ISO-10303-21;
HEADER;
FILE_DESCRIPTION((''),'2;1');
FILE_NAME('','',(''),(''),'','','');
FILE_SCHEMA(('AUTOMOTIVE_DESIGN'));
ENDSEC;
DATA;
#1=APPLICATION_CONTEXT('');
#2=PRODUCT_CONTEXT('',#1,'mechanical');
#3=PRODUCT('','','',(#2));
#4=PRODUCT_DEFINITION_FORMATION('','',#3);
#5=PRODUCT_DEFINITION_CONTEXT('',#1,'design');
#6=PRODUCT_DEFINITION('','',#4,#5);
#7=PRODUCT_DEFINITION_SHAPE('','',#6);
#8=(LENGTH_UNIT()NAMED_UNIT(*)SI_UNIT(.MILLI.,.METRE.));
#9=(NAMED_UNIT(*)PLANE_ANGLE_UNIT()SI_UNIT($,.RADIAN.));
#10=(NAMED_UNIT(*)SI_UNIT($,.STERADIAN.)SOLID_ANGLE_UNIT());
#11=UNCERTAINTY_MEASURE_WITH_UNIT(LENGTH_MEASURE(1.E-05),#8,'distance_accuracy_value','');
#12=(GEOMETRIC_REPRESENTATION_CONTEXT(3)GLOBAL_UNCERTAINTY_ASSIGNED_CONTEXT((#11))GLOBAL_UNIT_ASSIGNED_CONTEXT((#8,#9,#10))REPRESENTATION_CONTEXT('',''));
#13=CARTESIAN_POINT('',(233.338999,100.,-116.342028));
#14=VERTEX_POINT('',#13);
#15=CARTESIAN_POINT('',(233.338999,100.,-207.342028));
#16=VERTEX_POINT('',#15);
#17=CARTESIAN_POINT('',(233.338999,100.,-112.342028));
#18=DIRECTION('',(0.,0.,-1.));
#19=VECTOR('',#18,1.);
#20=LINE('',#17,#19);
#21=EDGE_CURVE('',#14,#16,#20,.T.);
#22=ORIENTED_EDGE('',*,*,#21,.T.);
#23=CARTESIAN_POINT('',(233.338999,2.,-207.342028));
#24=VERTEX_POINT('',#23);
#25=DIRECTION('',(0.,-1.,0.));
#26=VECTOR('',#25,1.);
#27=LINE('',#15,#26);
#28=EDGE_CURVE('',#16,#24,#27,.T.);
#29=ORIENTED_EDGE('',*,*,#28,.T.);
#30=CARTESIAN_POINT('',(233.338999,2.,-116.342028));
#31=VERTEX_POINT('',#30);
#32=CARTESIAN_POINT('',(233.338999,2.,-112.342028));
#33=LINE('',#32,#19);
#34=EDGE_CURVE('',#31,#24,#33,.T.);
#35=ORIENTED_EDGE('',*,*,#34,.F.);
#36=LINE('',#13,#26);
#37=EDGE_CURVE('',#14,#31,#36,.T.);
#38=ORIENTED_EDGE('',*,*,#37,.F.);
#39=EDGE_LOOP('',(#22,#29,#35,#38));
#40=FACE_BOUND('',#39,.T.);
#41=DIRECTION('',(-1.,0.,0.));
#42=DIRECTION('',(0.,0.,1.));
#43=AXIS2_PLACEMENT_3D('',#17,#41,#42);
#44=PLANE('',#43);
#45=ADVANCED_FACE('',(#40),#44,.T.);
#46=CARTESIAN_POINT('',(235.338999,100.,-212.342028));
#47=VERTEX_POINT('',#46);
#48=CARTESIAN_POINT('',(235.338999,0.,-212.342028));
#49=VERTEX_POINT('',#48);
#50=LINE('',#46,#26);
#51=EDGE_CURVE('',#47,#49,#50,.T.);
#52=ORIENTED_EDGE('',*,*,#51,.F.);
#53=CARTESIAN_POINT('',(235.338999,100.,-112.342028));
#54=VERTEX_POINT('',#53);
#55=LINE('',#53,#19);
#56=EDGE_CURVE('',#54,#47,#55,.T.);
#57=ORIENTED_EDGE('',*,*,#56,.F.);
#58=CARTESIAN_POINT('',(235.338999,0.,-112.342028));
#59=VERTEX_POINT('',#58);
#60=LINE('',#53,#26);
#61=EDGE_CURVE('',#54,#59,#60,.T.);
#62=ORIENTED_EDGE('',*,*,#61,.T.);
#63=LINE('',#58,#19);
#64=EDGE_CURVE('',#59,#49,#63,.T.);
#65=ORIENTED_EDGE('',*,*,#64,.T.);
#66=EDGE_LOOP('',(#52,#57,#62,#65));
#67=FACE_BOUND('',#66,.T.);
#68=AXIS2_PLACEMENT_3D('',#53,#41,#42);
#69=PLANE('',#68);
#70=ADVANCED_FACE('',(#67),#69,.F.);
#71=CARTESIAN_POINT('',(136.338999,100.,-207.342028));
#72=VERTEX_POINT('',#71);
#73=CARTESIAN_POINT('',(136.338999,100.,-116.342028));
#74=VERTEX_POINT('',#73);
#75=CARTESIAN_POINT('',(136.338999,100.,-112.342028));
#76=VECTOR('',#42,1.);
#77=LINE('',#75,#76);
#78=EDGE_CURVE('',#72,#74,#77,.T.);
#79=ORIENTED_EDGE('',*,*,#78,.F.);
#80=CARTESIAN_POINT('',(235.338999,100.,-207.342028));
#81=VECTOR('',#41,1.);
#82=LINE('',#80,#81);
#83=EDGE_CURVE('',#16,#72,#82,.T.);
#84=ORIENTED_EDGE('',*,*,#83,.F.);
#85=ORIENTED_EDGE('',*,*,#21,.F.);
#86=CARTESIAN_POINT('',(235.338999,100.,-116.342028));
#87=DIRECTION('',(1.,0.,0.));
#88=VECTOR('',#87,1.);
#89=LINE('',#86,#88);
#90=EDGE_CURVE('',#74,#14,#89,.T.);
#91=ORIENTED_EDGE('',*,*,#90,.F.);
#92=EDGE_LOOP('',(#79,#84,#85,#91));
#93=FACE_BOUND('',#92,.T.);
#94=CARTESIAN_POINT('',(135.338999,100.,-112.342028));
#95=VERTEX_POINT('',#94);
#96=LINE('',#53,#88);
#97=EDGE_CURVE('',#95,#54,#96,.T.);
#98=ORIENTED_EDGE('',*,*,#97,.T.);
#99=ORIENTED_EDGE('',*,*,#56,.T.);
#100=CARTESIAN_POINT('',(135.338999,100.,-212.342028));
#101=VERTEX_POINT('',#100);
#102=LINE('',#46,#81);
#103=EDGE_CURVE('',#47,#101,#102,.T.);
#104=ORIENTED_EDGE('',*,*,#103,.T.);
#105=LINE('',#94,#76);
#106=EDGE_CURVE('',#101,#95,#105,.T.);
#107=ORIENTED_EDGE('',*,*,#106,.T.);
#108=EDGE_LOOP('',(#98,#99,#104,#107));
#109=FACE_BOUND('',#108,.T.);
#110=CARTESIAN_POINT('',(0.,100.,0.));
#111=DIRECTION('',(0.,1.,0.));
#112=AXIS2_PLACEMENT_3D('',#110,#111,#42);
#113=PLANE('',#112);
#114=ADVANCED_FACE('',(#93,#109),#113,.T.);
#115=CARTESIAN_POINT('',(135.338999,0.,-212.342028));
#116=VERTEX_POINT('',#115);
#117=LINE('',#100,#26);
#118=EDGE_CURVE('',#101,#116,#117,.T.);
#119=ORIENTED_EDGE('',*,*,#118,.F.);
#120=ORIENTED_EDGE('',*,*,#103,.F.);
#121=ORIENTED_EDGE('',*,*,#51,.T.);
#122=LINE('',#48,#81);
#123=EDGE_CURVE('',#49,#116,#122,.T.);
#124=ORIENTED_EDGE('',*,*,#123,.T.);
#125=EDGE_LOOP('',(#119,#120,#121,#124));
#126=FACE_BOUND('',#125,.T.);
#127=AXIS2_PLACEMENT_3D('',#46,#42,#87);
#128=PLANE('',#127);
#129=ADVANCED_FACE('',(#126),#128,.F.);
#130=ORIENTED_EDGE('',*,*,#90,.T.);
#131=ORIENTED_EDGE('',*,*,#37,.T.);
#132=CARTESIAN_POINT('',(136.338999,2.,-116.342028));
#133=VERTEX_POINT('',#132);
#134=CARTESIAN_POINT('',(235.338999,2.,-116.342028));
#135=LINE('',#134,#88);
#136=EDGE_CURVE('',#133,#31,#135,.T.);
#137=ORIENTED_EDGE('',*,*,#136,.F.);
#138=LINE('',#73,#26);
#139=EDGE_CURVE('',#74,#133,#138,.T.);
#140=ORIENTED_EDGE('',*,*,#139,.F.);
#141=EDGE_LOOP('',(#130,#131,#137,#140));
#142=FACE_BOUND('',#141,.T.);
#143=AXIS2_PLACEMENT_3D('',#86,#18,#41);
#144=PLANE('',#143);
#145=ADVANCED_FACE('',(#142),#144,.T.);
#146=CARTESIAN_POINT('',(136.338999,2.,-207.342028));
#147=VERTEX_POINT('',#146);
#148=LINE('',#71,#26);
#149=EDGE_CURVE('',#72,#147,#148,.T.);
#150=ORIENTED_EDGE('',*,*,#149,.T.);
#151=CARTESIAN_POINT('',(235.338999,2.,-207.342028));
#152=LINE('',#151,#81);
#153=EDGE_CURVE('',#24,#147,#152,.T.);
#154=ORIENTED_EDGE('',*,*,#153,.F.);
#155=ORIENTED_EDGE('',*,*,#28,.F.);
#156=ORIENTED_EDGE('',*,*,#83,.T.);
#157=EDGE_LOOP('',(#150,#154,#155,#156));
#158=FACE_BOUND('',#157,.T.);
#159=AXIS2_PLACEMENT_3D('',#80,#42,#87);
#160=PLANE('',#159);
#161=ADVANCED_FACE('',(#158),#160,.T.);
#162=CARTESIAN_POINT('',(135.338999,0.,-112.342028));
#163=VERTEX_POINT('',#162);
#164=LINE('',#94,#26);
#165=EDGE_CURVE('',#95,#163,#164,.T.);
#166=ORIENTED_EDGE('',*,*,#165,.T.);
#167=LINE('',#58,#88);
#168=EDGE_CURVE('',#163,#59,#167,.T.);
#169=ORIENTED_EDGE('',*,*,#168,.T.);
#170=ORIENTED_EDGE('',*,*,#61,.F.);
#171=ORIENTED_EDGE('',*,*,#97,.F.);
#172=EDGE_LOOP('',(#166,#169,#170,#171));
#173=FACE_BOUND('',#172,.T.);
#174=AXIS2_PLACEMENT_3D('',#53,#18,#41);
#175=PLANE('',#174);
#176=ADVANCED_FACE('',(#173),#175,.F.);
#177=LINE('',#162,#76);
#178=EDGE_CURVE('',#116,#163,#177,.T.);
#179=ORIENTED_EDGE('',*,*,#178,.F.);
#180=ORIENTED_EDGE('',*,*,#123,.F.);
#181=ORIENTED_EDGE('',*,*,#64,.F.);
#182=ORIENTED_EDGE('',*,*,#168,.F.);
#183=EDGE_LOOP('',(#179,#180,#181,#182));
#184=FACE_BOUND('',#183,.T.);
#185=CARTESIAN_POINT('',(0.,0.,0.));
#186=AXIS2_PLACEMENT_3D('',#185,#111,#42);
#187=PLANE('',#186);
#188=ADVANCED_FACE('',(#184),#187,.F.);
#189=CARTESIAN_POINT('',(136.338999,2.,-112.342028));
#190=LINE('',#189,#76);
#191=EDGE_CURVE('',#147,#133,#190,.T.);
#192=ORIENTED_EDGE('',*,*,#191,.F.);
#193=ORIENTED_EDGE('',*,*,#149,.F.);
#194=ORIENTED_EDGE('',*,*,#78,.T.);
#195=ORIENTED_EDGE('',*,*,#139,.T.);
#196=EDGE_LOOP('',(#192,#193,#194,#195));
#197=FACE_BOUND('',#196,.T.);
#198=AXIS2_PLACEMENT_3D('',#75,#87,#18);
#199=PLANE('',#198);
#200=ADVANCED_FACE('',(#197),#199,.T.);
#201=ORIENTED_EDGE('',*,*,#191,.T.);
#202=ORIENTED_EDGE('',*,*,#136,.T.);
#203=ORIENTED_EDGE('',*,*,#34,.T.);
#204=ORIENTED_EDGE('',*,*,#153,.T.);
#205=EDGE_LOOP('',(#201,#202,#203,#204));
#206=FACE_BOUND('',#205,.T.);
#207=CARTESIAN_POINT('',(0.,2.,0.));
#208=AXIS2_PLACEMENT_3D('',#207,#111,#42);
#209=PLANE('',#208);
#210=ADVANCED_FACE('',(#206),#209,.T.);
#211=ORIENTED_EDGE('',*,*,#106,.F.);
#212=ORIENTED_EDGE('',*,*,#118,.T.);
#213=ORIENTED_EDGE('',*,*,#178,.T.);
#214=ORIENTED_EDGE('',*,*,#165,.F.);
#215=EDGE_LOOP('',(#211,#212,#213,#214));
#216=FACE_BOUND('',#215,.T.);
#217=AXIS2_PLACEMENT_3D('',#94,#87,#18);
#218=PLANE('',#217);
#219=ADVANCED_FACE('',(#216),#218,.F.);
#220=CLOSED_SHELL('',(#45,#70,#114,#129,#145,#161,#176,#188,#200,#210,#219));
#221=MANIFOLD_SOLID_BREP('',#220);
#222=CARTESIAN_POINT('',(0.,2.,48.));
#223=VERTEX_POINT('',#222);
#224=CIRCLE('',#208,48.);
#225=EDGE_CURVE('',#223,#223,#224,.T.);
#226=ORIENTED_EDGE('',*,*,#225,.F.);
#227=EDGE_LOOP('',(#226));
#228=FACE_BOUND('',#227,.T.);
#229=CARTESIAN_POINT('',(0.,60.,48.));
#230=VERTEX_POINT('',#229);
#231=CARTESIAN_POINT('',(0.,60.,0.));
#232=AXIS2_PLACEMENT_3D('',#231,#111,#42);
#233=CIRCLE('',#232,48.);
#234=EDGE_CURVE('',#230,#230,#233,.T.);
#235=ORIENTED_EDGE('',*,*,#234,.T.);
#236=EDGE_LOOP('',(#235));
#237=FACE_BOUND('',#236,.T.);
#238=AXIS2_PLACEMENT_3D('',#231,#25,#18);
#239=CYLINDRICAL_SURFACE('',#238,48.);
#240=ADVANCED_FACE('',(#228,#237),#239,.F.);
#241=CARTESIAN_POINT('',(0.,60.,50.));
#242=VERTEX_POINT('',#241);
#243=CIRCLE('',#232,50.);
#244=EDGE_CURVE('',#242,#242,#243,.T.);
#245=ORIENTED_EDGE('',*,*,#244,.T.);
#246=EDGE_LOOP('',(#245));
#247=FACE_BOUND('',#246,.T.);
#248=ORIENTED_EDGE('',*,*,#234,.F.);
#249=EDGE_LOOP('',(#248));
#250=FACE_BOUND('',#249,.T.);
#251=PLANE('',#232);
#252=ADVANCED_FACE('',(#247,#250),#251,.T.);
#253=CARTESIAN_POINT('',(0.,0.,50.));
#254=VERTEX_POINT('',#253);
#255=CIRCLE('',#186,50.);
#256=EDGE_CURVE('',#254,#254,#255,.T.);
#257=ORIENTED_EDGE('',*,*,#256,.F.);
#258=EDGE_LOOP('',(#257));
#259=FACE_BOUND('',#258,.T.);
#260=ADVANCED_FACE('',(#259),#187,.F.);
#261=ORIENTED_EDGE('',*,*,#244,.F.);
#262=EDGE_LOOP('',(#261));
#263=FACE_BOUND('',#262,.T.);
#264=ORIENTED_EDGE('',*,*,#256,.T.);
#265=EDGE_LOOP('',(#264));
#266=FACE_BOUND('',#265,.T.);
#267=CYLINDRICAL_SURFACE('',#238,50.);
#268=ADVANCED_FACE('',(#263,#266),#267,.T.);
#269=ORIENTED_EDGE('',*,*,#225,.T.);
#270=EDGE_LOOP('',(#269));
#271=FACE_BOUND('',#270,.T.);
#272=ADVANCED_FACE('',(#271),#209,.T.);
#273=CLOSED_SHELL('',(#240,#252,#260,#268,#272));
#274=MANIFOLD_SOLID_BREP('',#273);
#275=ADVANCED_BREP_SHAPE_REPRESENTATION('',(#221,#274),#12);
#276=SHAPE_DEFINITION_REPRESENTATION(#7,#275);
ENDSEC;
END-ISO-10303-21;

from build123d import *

# Parameters (mm, degrees)
SKETCH1_R                 = 50
BOSS_EXTRUDE1_DEPTH       = 60
SHELL1_T                  = -2
SKETCH2_W                 = 100
SKETCH2_H                 = 100
BOSS_EXTRUDE2_DEPTH       = 100
SHELL2_T                  = -2
SHELL2_THICKNESS_2_FACE_W = 96
SHELL2_THICKNESS_2_FACE_H = 98
SHELL2_THICKNESS_2_DEPTH  = 3
SHELL2_THICKNESS_3_FACE_W = 93
SHELL2_THICKNESS_3_FACE_H = 98
SHELL2_THICKNESS_3_DEPTH  = 1
SHELL2_THICKNESS_4_FACE_W = 97
SHELL2_THICKNESS_4_FACE_H = 98
SHELL2_THICKNESS_4_DEPTH  = 2


with BuildPart() as part:
    # Sketch1 → Boss-Extrude1 (new body)
    with BuildSketch(Plane(origin=(0, 0, 0), x_dir=(1, 0, 0), z_dir=(0, 1, 0))):
        with Locations(Location((0, 0, 0), (0, 0, 270))):
            Circle(SKETCH1_R)
    extrude(amount=BOSS_EXTRUDE1_DEPTH)

    # Shell1
    shell1_openings = [part.faces().sort_by_distance(p)[0] for p in [
        (0, 60, 0),
    ]]
    offset(amount=SHELL1_T, openings=shell1_openings, kind=Kind.INTERSECTION)


with BuildPart() as body_2:
    # Sketch2 → Boss-Extrude2 (new body)
    with BuildSketch(Plane(origin=(0, 0, 0), x_dir=(1, 0, 0), z_dir=(0, 1, 0))):
        with Locations((185.338998585, 162.342028324)):
            Rectangle(SKETCH2_W, SKETCH2_H)
    extrude(amount=BOSS_EXTRUDE2_DEPTH)

    # Shell2
    shell2_openings = [body_2.faces().sort_by_distance(p)[0] for p in [
        (185.338998585, 100, -162.342028324),
    ]]
    offset(amount=SHELL2_T, openings=shell2_openings, kind=Kind.INTERSECTION)

    # Shell2 thickness 2 face (on inner face of the shell) → Shell2 thickness 2 (add)
    with BuildSketch(Plane(origin=(185.338998585, 51, -210.342028324), x_dir=(-1, 0, 0), z_dir=(0, 0, -1))):
        Rectangle(SHELL2_THICKNESS_2_FACE_W, SHELL2_THICKNESS_2_FACE_H)
    extrude(amount=-SHELL2_THICKNESS_2_DEPTH)

    # Shell2 thickness 3 face (on inner face of the shell) → Shell2 thickness 3 (cut)
    with BuildSketch(Plane(origin=(137.338998585, 51, -160.842028324), x_dir=(0, 0, -1), z_dir=(-1, 0, 0))):
        Rectangle(SHELL2_THICKNESS_3_FACE_W, SHELL2_THICKNESS_3_FACE_H)
    extrude(amount=SHELL2_THICKNESS_3_DEPTH, mode=Mode.SUBTRACT)

    # Shell2 thickness 4 face (on inner face of the shell) → Shell2 thickness 4 (add)
    with BuildSketch(Plane(origin=(184.838998585, 51, -114.342028324), x_dir=(1, 0, 0), z_dir=(0, 0, 1))):
        Rectangle(SHELL2_THICKNESS_4_FACE_W, SHELL2_THICKNESS_4_FACE_H)
    extrude(amount=-SHELL2_THICKNESS_4_DEPTH)


solid = Compound([part.part, body_2.part])
